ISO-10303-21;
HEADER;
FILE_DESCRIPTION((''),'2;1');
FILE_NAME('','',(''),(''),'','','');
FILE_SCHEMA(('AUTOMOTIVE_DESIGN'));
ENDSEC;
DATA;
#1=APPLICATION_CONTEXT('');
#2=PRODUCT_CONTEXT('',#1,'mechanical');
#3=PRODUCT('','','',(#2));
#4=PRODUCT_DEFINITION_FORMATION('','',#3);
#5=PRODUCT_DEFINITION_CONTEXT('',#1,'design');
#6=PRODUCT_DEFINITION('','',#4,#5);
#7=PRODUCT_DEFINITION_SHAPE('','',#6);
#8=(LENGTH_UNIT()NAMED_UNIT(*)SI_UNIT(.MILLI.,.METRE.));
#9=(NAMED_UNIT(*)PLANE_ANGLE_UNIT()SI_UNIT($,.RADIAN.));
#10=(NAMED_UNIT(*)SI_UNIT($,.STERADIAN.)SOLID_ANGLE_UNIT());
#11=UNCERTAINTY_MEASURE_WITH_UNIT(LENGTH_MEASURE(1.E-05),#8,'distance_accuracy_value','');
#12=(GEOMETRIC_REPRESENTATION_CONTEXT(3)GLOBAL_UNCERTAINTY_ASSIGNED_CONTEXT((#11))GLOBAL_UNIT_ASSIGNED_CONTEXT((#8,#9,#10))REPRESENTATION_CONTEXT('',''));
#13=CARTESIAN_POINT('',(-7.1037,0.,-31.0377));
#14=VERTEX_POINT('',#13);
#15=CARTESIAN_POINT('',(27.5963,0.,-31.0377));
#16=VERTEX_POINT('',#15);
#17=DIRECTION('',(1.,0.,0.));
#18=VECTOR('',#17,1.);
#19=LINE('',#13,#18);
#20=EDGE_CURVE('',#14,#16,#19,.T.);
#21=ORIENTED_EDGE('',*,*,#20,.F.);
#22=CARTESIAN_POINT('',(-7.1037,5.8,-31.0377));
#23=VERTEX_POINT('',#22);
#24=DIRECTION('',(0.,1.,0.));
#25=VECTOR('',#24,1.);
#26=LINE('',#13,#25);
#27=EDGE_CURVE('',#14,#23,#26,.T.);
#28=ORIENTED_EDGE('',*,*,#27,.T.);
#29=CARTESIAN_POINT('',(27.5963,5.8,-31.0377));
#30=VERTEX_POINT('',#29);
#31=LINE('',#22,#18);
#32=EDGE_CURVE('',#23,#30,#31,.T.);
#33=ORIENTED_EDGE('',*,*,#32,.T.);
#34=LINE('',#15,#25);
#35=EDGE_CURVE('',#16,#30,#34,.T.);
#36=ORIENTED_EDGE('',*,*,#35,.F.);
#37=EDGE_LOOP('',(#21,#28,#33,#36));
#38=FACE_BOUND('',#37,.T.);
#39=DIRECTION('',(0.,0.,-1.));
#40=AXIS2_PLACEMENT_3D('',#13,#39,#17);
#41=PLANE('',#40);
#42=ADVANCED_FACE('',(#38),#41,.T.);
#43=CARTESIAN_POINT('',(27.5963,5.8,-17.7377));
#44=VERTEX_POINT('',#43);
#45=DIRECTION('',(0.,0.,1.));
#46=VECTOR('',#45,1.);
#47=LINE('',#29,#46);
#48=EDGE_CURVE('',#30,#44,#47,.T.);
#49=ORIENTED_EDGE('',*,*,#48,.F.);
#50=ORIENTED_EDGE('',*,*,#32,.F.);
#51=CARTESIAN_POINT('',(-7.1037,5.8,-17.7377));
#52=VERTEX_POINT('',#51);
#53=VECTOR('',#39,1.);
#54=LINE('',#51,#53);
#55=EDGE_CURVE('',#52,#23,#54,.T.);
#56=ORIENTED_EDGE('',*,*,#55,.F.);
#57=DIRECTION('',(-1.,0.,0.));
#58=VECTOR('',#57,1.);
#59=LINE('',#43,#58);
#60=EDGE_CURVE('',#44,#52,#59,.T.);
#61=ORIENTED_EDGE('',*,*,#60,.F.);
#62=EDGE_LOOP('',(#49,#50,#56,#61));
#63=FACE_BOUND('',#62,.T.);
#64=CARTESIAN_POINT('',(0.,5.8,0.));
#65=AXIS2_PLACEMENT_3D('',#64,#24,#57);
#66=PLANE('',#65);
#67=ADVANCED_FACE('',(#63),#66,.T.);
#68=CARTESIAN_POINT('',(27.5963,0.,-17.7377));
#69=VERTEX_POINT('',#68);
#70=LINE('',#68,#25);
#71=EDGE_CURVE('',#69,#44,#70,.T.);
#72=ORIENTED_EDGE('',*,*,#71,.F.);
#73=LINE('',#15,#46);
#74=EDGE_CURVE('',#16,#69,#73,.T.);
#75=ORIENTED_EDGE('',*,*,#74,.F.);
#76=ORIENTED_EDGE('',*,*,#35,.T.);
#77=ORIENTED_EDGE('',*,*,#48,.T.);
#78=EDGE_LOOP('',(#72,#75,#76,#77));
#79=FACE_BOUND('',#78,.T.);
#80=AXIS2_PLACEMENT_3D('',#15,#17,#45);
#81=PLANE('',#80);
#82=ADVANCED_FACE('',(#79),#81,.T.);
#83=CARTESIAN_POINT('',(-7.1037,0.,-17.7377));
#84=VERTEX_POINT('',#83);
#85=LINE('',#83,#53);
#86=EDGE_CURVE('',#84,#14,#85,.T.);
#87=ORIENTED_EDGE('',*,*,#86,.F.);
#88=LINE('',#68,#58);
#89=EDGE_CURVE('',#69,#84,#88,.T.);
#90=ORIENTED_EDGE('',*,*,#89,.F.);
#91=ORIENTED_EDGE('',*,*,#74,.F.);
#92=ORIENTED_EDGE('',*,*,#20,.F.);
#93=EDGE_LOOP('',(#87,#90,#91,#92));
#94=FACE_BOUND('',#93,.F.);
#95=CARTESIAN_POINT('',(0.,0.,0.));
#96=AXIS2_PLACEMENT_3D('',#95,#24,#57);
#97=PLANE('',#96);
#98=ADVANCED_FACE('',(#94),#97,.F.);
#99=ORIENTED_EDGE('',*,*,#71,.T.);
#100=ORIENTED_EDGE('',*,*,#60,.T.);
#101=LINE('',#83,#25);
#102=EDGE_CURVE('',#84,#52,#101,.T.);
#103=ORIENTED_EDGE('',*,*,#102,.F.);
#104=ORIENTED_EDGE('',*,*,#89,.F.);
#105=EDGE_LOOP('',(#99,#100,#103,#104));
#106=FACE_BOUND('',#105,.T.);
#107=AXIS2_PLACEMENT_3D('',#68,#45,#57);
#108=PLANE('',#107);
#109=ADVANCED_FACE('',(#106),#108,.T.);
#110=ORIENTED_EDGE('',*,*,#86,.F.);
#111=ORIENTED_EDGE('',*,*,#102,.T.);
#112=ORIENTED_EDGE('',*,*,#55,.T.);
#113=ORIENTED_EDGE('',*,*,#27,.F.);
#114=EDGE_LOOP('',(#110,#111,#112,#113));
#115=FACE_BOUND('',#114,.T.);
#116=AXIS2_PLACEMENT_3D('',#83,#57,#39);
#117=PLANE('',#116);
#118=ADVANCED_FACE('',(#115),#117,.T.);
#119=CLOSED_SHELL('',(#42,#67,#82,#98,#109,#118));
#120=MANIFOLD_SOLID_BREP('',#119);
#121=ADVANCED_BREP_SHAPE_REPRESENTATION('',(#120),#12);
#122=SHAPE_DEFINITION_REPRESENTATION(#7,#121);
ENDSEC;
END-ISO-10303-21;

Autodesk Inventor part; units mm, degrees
ref_plane "YZ Plane" through (0, 0, 0) normal (1, 0, 0) x (0, 1, 0)
ref_plane "XZ Plane" through (0, 0, 0) normal (0, 1, 0) x (-1, 0, 0)
ref_plane "XY Plane" through (0, 0, 0) normal (0, 0, 1) x (1, 0, 0)
sketch "Sketch1" plane through (0, 0, 0) normal (0, 1, 0) x (-1, 0, 0)
  line L0 (-27.5963, -17.7377) -> (7.1037, -17.7377)
  line L1 (7.1037, -17.7377) -> (7.1037, -31.0377)
  line L2 (7.1037, -31.0377) -> (-27.5963, -31.0377)
  line L3 (-27.5963, -31.0377) -> (-27.5963, -17.7377)
  point P0 (0, 0)
  dimension "d0" = 34.7
  dimension "d1" = 13.3
extrude "Extrusion1" add sketch "Sketch1" along normal blind 5.8
properties part number "Altimu"
